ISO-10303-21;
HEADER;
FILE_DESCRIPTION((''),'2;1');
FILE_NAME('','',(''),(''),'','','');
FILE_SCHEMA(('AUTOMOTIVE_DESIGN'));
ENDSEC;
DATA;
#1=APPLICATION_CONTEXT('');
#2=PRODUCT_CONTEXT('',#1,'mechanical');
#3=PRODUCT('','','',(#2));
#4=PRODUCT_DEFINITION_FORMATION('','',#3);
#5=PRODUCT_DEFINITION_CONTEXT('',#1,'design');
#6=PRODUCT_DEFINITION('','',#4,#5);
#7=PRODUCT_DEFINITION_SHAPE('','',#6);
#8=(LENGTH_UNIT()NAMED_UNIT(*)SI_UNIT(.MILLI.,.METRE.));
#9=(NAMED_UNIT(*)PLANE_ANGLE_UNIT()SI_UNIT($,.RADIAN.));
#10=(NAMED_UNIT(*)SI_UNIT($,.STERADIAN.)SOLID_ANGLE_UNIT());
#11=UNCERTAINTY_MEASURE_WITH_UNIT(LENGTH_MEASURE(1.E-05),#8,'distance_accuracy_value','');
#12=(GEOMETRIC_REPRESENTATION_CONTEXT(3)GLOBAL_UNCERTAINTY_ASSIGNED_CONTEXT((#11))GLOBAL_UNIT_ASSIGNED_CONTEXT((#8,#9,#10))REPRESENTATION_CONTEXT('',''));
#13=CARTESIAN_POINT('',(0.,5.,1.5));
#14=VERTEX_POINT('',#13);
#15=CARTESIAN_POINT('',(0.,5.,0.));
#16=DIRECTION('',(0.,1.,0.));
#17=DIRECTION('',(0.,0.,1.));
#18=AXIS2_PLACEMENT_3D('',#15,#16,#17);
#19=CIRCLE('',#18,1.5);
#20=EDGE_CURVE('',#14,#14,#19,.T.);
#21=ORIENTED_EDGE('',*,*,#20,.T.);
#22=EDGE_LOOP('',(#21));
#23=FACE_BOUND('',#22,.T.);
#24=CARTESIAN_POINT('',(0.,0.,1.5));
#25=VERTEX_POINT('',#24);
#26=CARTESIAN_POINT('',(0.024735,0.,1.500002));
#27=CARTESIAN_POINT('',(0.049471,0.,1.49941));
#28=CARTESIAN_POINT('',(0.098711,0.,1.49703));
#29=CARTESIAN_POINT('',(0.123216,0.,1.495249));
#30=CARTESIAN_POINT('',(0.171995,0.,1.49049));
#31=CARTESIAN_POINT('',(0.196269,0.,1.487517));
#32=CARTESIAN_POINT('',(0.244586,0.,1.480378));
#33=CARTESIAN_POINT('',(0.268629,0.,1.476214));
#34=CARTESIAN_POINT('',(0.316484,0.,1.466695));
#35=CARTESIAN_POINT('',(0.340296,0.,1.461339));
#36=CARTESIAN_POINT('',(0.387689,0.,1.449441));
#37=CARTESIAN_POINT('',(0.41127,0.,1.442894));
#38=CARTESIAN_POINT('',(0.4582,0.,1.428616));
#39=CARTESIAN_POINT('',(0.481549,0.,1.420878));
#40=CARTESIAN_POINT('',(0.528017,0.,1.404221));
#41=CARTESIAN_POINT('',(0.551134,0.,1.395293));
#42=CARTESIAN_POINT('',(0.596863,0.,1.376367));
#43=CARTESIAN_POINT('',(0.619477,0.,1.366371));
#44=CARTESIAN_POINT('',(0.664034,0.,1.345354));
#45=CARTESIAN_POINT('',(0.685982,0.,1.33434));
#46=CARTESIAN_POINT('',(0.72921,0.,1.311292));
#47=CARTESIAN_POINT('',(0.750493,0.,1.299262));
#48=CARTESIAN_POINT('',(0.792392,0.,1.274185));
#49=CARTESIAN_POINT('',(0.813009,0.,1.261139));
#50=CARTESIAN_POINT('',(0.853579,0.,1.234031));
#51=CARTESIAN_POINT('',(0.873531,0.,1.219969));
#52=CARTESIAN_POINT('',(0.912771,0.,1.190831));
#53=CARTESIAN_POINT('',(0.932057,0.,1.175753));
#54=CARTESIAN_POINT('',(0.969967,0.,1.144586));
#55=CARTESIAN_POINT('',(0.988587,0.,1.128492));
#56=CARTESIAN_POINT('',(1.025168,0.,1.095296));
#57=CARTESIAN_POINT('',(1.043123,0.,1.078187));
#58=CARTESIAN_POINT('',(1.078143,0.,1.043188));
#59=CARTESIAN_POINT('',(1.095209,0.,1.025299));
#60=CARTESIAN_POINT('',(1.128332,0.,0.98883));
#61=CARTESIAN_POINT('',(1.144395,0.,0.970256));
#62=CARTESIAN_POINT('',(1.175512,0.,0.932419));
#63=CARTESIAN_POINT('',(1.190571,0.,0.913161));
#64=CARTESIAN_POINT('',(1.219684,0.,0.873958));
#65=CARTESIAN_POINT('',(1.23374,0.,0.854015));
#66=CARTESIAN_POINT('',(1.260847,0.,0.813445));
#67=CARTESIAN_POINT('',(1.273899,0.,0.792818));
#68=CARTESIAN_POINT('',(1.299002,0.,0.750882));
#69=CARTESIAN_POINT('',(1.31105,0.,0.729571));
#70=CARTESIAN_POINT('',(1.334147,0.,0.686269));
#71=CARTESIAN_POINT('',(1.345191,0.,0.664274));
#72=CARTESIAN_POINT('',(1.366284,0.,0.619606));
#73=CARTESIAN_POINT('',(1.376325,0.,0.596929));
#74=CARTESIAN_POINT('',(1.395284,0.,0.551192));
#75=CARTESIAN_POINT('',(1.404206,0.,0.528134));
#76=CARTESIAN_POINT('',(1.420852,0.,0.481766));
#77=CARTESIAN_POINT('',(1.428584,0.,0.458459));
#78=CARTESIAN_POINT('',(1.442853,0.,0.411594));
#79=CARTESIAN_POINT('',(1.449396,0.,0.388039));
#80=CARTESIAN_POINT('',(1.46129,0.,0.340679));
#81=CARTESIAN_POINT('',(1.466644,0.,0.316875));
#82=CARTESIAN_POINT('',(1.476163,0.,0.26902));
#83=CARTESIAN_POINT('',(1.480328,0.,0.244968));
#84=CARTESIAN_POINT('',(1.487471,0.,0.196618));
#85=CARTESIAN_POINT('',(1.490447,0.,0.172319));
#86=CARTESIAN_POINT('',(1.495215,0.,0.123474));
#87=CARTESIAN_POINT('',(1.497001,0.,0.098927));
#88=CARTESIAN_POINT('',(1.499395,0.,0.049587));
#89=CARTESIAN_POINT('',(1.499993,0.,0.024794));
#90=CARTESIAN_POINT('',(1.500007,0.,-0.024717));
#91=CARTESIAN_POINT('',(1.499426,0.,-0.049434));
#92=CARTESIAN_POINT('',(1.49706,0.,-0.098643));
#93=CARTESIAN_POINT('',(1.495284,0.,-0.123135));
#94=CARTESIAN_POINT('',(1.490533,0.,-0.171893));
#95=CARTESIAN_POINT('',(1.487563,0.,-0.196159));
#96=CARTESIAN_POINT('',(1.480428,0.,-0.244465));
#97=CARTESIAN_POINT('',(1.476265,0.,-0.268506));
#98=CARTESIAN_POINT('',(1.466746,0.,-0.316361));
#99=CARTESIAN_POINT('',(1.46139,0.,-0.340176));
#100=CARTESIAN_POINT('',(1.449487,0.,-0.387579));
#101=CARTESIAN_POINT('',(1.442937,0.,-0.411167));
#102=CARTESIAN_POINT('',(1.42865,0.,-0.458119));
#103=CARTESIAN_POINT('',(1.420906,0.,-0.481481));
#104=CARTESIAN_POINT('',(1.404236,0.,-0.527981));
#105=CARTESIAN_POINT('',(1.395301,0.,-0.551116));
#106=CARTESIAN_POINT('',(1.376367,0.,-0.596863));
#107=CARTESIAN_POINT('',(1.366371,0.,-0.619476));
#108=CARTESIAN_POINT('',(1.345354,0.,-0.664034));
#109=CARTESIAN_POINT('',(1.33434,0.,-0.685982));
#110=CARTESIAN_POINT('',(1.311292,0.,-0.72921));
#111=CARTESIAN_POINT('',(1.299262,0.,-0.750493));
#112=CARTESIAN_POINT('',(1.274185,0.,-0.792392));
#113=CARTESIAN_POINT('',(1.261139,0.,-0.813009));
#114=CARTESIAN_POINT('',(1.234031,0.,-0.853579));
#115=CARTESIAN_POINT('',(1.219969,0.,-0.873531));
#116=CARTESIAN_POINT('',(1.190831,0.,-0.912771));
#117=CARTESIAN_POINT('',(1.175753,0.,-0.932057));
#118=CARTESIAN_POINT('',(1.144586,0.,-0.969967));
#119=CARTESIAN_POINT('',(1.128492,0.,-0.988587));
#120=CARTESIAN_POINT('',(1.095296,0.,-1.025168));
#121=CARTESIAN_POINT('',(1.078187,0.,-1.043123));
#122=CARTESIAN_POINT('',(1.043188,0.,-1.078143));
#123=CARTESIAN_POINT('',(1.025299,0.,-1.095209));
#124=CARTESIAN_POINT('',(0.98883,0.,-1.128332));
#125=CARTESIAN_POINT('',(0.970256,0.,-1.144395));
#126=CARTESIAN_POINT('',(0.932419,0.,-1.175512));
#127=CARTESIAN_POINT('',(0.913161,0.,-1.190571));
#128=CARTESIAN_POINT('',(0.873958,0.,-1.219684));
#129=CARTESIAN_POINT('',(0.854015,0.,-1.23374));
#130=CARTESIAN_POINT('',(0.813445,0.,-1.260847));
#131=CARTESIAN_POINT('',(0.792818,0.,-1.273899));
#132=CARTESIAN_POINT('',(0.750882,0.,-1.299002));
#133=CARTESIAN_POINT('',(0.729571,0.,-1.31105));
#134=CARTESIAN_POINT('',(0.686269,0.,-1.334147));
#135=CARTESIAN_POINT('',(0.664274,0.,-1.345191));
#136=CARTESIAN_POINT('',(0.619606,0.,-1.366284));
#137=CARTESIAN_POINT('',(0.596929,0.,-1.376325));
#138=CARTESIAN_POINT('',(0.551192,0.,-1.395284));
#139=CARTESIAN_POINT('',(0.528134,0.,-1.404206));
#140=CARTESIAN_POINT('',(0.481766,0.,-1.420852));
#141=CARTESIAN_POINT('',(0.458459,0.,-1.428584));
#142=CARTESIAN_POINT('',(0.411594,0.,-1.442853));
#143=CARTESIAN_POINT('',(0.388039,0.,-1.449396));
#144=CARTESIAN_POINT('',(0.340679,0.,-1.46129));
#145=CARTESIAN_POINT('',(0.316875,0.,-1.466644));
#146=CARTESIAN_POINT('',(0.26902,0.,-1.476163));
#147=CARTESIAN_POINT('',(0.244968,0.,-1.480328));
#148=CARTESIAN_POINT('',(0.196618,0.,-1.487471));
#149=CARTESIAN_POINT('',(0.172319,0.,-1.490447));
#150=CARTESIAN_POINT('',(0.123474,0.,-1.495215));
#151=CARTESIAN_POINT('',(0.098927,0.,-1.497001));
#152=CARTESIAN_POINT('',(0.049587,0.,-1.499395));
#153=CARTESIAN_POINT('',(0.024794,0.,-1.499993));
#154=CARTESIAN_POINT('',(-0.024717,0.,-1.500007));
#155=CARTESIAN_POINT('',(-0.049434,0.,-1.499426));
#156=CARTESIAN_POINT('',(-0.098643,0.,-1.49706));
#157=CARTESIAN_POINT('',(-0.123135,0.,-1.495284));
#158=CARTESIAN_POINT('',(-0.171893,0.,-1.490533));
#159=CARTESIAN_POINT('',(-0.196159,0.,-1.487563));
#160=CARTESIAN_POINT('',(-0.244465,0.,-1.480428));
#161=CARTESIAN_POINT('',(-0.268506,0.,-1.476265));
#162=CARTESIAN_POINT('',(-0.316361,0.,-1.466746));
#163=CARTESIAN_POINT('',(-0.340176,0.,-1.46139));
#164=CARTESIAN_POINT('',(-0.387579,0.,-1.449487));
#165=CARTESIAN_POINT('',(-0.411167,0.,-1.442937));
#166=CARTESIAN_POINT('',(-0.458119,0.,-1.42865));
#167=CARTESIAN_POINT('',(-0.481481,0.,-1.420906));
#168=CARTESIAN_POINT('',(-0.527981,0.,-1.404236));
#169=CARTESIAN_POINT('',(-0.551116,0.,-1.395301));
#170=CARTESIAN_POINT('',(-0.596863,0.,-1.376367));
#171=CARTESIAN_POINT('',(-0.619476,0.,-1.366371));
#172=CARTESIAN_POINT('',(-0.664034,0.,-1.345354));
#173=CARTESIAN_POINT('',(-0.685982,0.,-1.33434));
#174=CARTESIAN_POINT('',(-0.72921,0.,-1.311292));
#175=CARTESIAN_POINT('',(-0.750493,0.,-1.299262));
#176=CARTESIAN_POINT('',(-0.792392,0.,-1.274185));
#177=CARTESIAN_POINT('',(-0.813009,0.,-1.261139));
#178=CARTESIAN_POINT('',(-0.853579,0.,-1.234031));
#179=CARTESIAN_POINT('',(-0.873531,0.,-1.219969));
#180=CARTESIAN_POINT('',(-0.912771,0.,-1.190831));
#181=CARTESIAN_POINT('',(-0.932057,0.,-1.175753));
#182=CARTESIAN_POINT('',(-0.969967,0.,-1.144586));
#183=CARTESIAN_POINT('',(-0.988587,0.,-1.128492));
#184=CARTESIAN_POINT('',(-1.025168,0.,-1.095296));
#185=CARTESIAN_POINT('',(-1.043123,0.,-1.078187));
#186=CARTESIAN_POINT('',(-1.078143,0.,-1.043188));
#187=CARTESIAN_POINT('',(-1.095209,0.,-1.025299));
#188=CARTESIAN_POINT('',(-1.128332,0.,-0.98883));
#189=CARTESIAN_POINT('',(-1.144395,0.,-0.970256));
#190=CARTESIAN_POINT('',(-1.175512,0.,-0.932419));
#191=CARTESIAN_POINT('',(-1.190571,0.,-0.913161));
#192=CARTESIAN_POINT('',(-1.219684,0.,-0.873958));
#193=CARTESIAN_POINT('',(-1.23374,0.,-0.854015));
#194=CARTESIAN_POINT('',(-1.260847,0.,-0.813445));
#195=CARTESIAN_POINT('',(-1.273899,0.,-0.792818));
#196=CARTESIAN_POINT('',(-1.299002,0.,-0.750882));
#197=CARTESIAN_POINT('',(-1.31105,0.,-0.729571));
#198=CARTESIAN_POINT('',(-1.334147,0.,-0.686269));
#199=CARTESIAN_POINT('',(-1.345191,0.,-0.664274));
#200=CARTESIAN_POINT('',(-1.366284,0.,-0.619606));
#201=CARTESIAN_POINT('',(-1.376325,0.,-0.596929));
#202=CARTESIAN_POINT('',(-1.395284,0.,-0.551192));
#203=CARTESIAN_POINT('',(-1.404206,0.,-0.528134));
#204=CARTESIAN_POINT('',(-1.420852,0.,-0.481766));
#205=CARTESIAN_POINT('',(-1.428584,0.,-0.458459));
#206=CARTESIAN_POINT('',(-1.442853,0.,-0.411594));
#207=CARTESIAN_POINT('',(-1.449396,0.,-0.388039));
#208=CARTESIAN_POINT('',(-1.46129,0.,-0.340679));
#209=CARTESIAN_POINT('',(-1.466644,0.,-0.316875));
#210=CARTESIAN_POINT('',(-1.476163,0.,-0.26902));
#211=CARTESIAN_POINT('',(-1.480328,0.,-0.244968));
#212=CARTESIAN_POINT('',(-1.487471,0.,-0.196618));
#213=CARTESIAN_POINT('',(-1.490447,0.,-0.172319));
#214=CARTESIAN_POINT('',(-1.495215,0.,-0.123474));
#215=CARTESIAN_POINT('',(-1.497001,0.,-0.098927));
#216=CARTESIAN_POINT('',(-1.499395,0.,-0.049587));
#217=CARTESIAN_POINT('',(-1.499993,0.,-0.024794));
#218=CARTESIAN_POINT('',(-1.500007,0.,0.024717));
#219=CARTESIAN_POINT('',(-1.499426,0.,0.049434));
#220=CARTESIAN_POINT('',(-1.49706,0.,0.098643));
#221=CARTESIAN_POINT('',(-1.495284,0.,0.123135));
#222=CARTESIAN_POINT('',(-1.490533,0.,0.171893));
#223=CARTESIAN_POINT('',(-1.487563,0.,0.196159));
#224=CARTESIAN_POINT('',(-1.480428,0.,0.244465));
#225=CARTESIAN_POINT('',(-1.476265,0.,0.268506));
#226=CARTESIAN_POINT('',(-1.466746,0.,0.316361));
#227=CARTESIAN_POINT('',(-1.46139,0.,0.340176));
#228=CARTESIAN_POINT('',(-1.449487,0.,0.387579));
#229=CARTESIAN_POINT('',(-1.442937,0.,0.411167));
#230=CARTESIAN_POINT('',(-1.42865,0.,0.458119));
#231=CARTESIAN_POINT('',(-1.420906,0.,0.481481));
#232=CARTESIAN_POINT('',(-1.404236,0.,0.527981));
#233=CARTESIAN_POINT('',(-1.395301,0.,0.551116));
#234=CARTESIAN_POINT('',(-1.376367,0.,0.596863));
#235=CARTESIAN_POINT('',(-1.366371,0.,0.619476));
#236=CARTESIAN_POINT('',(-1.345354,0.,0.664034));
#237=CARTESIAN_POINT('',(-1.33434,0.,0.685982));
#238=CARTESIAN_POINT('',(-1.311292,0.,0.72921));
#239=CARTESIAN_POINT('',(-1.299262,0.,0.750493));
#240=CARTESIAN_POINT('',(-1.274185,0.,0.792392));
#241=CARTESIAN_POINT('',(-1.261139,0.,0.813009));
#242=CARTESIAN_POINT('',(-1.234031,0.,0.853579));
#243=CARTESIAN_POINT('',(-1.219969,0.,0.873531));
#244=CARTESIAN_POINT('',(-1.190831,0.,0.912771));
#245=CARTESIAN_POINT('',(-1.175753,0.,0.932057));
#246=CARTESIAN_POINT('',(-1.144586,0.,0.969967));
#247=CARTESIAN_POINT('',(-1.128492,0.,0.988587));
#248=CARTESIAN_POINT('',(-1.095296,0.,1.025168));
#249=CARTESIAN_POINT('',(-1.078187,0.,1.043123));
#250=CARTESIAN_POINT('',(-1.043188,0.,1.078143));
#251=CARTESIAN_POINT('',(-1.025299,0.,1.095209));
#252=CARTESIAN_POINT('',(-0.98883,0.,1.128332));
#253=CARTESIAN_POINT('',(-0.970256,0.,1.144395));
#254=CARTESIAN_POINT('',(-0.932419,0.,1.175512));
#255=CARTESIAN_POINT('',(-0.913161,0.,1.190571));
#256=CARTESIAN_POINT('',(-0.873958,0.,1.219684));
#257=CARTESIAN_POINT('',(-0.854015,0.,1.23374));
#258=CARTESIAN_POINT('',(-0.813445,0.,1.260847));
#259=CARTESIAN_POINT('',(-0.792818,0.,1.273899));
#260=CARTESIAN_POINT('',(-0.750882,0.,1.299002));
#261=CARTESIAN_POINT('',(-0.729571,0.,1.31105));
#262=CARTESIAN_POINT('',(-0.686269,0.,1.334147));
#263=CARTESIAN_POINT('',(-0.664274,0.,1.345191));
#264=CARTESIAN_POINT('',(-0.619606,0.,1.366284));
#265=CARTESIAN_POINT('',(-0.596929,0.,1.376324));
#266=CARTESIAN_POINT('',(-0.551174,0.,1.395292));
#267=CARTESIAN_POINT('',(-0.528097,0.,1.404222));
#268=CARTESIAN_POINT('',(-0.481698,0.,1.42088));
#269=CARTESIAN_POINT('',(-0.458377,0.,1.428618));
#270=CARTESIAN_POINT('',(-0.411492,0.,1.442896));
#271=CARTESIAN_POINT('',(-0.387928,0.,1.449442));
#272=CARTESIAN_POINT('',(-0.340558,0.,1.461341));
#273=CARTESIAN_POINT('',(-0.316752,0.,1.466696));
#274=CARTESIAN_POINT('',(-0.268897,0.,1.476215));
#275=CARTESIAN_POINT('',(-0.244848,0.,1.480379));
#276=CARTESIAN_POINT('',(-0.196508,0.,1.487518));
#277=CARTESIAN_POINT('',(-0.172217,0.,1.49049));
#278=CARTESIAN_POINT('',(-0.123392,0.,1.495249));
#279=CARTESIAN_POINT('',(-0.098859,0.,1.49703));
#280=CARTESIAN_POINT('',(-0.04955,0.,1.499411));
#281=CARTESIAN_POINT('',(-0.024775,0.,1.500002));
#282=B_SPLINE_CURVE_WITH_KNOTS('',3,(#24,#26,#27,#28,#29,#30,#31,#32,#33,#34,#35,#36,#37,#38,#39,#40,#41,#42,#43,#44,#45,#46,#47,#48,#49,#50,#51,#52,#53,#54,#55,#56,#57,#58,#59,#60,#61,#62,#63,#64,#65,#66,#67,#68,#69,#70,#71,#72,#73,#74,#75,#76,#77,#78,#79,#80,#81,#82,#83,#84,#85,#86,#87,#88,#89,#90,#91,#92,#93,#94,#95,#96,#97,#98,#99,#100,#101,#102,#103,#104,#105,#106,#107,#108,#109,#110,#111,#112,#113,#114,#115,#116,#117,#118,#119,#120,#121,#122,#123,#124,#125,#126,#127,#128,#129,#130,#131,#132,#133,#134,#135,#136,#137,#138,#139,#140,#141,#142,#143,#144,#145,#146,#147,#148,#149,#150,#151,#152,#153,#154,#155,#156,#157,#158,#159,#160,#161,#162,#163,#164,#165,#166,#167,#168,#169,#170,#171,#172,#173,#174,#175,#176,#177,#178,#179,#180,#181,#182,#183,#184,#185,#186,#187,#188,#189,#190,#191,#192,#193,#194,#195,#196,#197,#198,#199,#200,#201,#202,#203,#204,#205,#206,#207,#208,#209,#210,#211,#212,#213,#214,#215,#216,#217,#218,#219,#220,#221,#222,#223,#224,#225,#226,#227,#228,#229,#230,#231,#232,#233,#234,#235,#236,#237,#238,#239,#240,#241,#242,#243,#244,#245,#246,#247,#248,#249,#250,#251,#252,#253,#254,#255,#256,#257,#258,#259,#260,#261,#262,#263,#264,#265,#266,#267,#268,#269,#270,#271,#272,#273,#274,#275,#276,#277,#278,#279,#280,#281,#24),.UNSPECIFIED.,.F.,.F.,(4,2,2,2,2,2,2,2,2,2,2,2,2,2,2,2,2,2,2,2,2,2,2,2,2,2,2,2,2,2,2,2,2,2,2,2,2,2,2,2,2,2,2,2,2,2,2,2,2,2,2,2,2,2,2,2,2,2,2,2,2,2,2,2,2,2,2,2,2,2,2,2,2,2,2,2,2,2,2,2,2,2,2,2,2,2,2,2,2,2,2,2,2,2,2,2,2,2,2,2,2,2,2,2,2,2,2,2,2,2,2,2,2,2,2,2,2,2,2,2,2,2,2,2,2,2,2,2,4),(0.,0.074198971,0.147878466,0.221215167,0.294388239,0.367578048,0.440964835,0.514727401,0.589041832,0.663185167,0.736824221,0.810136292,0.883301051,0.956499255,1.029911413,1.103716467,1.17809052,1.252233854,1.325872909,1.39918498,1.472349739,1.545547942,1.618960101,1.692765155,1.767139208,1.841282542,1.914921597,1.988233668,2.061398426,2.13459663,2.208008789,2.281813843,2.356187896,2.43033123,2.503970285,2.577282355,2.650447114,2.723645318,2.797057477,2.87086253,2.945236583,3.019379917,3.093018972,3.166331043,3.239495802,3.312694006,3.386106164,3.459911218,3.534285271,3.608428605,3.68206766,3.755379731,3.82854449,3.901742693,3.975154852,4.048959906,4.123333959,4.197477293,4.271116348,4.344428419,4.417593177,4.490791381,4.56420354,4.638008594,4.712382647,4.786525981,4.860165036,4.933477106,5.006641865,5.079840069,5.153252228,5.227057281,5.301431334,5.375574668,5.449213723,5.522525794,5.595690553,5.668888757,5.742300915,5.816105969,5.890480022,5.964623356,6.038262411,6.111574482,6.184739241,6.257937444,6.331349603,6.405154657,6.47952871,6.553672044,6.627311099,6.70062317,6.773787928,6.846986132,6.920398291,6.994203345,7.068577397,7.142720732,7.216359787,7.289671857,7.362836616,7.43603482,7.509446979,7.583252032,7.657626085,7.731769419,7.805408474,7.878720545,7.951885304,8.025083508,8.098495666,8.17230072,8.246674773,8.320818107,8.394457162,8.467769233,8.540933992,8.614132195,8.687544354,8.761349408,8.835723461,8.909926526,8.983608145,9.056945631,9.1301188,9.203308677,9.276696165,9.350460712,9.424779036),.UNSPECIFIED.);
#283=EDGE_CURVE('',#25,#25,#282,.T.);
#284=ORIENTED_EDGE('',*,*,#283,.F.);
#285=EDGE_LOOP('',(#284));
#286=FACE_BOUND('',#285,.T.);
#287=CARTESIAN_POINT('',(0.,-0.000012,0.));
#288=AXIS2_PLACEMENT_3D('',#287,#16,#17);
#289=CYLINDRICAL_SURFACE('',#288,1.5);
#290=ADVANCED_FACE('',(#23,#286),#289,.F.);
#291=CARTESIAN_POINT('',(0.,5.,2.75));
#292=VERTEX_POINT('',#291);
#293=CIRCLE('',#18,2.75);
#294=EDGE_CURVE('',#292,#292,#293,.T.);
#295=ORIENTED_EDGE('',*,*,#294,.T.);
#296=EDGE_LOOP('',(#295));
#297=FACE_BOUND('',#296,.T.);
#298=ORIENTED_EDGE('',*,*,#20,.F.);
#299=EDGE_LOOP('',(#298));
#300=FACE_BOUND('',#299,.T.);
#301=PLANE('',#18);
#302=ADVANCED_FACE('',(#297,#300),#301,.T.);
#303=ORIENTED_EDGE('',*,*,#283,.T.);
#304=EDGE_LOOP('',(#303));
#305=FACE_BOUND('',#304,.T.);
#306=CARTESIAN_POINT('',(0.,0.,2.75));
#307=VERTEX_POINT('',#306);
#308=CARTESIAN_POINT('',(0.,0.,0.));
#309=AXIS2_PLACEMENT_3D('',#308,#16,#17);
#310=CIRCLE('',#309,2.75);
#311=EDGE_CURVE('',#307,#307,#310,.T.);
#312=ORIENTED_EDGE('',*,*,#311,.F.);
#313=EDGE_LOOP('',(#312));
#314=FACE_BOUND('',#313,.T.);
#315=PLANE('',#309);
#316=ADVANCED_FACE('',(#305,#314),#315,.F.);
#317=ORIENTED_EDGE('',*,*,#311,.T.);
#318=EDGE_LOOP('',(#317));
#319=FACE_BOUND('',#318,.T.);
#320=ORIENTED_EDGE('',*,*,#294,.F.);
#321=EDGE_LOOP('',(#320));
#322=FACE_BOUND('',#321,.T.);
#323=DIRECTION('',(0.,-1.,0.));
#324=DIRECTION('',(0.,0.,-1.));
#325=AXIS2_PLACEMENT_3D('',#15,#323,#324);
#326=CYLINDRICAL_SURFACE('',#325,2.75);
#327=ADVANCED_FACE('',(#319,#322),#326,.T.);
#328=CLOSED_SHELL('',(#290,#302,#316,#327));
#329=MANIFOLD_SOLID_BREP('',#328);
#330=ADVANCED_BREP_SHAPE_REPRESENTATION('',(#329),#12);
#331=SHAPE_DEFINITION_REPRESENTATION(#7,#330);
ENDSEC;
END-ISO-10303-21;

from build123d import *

# Parameters (mm, degrees)
SKETCH1_R           = 2.75
STANDOFF_BODY_DEPTH = 5
M3_BORE_DEPTH       = 7.33442973
M3_BORE_DEPTH_BACK  = 7.33442973
SKETCH2_R           = 1.5


with BuildPart() as part:
    # Sketch1 → Standoff_body (new body)
    with BuildSketch(Plane(origin=(0, 0, 0), x_dir=(1, 0, 0), z_dir=(0, 1, 0))):
        with Locations(Location((0, 0, 0), (0, 0, 270))):
            Circle(SKETCH1_R)
    extrude(amount=STANDOFF_BODY_DEPTH)

    # Sketch2 → M3_bore (cut, two sides: drawn at the far end of the back side and taken through both)
    with BuildSketch(Plane(origin=(0, 0, 0), x_dir=(1, 0, 0), z_dir=(0, 1, 0)).offset(-M3_BORE_DEPTH_BACK)):
        with Locations(Location((0, 0, 0), (0, 0, 270))):
            Circle(SKETCH2_R)
    extrude(amount=M3_BORE_DEPTH + M3_BORE_DEPTH_BACK, mode=Mode.SUBTRACT)


solid = part.part
